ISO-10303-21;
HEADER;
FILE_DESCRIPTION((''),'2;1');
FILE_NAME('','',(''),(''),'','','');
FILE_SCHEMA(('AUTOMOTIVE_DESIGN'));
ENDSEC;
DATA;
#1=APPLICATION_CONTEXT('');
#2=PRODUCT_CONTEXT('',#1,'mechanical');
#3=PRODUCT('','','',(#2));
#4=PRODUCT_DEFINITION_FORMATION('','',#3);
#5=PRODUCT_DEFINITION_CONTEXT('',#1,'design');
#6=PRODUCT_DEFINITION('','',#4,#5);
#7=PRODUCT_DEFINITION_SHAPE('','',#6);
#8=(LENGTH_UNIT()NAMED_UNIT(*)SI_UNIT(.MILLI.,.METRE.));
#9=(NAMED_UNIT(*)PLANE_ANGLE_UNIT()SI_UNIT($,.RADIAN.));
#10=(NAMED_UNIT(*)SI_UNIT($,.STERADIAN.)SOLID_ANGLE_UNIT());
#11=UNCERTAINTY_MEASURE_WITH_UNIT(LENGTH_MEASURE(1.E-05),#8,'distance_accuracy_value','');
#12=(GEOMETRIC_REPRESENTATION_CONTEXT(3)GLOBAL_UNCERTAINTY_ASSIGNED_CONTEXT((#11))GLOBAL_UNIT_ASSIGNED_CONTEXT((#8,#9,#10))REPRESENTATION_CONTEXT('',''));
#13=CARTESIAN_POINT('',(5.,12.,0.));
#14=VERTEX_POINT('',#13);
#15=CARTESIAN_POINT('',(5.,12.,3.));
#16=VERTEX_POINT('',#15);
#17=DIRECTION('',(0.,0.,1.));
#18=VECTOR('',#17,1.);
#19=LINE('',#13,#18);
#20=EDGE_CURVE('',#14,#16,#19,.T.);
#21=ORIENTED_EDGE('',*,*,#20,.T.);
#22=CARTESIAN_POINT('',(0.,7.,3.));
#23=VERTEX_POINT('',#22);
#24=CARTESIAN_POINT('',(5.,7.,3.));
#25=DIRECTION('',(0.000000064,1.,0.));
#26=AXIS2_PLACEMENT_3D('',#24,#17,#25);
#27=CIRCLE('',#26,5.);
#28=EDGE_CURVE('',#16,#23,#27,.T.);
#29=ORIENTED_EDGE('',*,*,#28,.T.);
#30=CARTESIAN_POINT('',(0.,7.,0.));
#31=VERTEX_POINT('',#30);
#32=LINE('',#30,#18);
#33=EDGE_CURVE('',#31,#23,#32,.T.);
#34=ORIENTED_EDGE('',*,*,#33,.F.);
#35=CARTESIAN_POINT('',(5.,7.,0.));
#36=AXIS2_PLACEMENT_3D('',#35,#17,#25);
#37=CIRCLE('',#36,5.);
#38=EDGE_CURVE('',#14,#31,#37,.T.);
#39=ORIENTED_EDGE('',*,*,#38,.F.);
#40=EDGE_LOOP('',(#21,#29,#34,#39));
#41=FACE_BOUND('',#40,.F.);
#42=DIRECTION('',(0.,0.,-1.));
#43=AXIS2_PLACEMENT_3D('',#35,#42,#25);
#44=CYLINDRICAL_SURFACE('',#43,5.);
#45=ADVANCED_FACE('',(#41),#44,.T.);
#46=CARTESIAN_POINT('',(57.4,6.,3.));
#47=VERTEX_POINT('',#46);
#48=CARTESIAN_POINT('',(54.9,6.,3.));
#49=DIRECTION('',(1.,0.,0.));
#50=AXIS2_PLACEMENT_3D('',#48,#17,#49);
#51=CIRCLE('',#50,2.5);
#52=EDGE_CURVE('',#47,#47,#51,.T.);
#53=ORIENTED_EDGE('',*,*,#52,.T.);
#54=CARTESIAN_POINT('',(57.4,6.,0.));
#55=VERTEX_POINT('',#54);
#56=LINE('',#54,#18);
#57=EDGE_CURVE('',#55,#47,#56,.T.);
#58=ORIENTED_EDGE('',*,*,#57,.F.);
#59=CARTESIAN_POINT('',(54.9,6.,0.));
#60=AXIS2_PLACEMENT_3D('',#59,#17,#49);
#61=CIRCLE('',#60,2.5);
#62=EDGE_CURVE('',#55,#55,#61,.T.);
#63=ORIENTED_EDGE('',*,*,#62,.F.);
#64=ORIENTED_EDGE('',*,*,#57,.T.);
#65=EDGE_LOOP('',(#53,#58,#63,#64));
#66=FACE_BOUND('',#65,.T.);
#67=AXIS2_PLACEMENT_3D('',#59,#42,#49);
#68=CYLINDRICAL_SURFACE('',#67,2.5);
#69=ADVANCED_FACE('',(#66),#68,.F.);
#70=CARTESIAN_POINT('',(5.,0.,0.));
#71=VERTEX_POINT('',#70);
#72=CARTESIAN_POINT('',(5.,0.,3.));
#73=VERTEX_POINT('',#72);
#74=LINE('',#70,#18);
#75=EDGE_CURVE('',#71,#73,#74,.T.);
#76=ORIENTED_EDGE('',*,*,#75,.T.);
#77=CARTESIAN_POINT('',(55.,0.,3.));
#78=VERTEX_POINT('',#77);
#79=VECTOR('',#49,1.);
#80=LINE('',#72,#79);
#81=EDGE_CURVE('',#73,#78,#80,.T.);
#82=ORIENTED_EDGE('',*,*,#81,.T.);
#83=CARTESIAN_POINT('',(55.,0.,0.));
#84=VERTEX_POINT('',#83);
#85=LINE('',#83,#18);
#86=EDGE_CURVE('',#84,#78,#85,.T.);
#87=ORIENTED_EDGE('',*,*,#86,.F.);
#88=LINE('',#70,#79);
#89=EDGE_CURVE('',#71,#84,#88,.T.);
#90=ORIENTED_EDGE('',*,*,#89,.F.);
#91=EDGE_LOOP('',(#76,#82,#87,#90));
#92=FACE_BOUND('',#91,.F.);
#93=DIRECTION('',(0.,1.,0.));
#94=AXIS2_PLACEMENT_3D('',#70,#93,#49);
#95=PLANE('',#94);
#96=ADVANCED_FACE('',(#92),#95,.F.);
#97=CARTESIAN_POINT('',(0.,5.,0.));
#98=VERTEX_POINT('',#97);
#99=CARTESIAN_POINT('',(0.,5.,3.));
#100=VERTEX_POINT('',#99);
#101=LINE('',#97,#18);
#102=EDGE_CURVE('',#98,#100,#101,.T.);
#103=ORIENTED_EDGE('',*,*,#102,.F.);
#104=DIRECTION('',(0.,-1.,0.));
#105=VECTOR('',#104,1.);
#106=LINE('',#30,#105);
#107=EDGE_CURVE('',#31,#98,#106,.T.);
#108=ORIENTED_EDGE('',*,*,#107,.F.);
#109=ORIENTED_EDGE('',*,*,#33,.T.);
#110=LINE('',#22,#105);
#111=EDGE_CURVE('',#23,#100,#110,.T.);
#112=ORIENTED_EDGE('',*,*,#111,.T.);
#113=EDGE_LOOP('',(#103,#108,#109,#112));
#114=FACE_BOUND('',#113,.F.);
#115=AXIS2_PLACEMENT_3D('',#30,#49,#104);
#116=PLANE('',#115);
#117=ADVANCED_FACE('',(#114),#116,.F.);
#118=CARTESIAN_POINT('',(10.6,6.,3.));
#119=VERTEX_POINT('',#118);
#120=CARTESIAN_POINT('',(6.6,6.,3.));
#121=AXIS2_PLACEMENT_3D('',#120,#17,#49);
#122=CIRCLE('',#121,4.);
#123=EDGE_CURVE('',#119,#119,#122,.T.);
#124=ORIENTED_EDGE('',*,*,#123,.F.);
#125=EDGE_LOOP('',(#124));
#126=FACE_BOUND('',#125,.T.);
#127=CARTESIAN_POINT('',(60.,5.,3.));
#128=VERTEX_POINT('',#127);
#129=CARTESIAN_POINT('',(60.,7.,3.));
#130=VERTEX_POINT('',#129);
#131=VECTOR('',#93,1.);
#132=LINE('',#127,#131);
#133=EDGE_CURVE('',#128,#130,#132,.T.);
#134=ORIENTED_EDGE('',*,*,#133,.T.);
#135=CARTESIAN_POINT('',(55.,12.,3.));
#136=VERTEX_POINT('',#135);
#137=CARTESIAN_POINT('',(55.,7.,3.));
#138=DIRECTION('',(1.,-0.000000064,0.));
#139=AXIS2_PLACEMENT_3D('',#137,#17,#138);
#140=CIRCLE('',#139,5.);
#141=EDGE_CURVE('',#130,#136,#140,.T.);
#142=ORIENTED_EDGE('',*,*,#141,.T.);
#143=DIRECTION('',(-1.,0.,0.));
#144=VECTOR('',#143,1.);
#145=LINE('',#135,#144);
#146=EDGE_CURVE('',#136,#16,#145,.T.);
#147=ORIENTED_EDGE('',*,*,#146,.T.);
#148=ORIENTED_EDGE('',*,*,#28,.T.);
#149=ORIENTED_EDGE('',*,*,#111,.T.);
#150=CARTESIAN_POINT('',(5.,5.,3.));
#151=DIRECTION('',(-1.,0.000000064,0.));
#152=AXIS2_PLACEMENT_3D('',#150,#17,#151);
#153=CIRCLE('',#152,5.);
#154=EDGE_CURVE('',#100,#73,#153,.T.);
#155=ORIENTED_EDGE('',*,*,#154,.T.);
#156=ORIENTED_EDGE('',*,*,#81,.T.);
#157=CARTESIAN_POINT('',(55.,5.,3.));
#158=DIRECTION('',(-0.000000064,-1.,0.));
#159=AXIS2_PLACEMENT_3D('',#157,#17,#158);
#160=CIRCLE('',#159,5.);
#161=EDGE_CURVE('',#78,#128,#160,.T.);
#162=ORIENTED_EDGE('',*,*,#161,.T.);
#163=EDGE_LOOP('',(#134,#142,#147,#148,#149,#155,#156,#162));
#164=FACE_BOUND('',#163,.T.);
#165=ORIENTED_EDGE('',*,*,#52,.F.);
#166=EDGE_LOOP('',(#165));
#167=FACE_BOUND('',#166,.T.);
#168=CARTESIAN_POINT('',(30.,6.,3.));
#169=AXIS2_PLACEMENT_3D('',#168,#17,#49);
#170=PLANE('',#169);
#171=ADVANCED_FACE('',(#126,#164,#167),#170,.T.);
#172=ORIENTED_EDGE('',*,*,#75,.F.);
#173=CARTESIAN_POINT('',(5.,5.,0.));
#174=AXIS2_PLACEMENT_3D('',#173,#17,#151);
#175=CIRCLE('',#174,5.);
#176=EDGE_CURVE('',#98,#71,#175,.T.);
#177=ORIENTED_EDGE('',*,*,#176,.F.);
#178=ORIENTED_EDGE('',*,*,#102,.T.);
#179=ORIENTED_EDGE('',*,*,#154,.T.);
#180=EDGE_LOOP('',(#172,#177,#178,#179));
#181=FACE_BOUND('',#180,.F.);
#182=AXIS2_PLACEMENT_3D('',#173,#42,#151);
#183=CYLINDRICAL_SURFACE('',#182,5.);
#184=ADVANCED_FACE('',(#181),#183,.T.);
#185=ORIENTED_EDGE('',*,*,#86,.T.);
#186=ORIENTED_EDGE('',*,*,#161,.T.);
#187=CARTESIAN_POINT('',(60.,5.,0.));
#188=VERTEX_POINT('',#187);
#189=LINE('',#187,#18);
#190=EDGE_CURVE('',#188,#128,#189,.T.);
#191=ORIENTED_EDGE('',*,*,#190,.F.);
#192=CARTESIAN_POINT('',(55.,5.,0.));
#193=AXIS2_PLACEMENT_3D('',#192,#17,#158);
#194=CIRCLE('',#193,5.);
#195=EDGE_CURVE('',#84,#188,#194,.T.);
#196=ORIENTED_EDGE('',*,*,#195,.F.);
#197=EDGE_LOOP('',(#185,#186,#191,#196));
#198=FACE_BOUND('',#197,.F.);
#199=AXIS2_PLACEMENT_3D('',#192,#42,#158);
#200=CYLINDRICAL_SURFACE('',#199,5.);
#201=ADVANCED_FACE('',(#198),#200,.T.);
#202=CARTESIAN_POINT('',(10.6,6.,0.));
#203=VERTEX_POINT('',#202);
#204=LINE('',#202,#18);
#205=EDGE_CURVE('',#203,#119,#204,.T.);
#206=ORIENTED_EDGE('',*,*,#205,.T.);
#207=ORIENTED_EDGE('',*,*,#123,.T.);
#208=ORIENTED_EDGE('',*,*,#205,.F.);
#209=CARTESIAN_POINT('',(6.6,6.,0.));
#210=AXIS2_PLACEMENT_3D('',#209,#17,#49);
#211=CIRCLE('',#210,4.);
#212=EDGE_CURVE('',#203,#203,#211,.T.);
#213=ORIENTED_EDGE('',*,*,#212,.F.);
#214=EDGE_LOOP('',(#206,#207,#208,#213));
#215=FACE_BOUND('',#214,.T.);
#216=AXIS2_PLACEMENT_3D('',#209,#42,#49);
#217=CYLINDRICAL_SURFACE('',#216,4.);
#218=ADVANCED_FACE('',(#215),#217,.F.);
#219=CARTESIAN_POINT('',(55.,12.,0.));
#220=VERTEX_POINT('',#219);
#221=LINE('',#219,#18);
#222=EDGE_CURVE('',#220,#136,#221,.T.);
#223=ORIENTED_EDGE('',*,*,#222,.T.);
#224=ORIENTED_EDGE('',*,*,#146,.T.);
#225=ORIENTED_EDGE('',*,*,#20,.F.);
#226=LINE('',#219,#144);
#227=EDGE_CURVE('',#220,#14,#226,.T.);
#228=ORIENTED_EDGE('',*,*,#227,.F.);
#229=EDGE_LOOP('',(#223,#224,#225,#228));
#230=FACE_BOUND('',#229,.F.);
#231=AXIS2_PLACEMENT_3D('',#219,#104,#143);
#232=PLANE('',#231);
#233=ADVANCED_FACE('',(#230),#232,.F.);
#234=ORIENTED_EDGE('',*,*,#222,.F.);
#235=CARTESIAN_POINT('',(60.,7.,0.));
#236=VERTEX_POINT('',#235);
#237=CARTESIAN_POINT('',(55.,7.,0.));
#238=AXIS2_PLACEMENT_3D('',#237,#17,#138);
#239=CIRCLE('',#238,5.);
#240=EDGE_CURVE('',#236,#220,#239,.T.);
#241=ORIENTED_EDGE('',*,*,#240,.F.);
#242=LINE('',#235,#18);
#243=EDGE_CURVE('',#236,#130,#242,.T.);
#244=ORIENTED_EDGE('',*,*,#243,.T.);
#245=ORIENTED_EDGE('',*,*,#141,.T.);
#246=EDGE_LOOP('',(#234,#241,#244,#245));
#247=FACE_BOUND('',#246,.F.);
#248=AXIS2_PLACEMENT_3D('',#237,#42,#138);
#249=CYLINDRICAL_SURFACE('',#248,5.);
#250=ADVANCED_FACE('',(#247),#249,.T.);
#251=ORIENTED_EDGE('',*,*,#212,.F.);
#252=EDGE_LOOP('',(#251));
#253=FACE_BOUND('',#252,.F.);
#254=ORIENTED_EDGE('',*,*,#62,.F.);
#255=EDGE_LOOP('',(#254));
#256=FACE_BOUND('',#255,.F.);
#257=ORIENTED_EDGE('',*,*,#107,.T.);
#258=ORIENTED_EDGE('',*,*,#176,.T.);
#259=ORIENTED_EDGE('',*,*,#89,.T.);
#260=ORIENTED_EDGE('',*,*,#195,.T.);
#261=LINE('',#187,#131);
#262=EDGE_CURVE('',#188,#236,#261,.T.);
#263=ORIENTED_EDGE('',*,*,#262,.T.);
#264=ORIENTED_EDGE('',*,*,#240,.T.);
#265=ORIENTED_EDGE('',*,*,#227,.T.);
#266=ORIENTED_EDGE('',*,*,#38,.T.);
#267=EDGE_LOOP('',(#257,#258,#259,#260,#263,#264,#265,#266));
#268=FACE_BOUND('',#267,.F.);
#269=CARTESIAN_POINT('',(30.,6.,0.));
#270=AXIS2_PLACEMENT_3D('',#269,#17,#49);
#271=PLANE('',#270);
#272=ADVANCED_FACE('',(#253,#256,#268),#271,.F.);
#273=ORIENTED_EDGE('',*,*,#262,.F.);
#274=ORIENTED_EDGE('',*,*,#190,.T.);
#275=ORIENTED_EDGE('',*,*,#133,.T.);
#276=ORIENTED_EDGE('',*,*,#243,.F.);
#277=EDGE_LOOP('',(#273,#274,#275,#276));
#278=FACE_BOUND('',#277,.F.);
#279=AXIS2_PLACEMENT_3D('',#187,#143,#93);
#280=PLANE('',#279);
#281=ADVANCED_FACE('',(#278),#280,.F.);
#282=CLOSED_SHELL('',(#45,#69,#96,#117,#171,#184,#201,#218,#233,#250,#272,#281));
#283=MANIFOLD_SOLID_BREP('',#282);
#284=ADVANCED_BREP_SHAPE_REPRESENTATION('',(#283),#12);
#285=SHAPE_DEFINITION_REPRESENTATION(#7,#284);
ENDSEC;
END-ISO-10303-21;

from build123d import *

# Parameters (mm, degrees)
F0_R     = 4
F0_R_2   = 2.5
F1_DEPTH = 3


with BuildPart() as f1:
    # F0 (on Top) → F1 (new body)
    with BuildSketch(Plane.XY):
        with BuildLine():
            ThreePointArc((0, 5), (1.464466, 1.464466), (5, 0))
            Line((5, 0), (55, 0))
            ThreePointArc((55, 0), (58.535534, 1.464466), (60, 5))
            Line((60, 5), (60, 7))
            ThreePointArc((60, 7), (58.535534, 10.535534), (55, 12))
            Line((55, 12), (5, 12))
            ThreePointArc((5, 12), (1.464466, 10.535534), (0, 7))
            Line((0, 7), (0, 5))
        make_face()
        with Locations((6.6, 6)):
            Circle(F0_R, mode=Mode.SUBTRACT)
        with Locations((54.9, 6)):
            Circle(F0_R_2, mode=Mode.SUBTRACT)
    extrude(amount=F1_DEPTH)


solid = f1.part
